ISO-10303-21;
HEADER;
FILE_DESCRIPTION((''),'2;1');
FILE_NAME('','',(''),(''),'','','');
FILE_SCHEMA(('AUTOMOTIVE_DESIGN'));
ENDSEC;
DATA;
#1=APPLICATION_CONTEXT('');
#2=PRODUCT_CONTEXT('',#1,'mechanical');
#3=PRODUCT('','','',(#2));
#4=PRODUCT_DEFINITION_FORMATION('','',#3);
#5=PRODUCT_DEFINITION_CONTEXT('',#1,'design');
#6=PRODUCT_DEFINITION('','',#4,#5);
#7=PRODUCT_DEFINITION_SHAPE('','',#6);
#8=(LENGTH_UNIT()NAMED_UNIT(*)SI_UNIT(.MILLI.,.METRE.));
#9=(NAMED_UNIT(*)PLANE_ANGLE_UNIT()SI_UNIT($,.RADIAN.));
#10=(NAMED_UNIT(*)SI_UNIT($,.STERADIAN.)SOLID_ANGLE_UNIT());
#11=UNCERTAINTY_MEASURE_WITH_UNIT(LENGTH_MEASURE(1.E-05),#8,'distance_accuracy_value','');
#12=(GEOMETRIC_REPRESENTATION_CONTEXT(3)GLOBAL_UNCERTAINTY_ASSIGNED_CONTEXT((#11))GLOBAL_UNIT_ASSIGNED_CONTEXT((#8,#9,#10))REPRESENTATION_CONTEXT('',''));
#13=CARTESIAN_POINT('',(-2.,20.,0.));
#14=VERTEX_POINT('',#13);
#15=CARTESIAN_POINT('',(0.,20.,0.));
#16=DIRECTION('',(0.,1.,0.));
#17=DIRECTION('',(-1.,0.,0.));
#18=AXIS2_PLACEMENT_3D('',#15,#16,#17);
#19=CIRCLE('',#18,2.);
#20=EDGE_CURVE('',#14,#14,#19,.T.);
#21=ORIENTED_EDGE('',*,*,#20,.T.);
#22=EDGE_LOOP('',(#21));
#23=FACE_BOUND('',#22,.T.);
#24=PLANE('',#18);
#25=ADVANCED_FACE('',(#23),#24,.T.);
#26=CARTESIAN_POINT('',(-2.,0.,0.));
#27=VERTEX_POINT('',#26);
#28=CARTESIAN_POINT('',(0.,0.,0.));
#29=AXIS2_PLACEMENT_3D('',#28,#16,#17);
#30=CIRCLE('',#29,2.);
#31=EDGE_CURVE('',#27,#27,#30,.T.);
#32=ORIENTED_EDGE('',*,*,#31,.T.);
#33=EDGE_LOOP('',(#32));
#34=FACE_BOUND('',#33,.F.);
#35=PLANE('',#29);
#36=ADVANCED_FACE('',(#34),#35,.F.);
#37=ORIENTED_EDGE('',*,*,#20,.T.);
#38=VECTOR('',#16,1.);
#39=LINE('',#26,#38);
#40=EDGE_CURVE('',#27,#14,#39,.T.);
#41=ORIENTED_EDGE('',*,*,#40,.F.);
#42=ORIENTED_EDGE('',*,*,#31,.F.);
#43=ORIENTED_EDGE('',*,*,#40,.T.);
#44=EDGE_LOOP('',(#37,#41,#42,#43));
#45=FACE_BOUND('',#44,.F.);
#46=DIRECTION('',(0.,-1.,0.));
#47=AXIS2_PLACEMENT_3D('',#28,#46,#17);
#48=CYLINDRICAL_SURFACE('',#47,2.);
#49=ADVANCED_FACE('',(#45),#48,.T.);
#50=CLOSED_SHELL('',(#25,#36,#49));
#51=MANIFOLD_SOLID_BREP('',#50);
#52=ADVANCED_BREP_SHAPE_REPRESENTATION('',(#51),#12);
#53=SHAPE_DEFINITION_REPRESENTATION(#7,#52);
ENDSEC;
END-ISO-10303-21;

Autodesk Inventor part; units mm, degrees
ref_plane "YZ Plane" through (0, 0, 0) normal (1, 0, 0) x (0, 1, 0)
ref_plane "XZ Plane" through (0, 0, 0) normal (0, 1, 0) x (-1, 0, 0)
ref_plane "XY Plane" through (0, 0, 0) normal (0, 0, 1) x (1, 0, 0)
sketch "草圖1" plane through (0, 0, 0) normal (0, 1, 0) x (-1, 0, 0)
  circle A0 centre (0, 0) radius 2
  dimension "d0" = 4
extrude "擠出1" add sketch "草圖1" along normal blind 20
properties part number "axle 4_20" material "壓克力條"
